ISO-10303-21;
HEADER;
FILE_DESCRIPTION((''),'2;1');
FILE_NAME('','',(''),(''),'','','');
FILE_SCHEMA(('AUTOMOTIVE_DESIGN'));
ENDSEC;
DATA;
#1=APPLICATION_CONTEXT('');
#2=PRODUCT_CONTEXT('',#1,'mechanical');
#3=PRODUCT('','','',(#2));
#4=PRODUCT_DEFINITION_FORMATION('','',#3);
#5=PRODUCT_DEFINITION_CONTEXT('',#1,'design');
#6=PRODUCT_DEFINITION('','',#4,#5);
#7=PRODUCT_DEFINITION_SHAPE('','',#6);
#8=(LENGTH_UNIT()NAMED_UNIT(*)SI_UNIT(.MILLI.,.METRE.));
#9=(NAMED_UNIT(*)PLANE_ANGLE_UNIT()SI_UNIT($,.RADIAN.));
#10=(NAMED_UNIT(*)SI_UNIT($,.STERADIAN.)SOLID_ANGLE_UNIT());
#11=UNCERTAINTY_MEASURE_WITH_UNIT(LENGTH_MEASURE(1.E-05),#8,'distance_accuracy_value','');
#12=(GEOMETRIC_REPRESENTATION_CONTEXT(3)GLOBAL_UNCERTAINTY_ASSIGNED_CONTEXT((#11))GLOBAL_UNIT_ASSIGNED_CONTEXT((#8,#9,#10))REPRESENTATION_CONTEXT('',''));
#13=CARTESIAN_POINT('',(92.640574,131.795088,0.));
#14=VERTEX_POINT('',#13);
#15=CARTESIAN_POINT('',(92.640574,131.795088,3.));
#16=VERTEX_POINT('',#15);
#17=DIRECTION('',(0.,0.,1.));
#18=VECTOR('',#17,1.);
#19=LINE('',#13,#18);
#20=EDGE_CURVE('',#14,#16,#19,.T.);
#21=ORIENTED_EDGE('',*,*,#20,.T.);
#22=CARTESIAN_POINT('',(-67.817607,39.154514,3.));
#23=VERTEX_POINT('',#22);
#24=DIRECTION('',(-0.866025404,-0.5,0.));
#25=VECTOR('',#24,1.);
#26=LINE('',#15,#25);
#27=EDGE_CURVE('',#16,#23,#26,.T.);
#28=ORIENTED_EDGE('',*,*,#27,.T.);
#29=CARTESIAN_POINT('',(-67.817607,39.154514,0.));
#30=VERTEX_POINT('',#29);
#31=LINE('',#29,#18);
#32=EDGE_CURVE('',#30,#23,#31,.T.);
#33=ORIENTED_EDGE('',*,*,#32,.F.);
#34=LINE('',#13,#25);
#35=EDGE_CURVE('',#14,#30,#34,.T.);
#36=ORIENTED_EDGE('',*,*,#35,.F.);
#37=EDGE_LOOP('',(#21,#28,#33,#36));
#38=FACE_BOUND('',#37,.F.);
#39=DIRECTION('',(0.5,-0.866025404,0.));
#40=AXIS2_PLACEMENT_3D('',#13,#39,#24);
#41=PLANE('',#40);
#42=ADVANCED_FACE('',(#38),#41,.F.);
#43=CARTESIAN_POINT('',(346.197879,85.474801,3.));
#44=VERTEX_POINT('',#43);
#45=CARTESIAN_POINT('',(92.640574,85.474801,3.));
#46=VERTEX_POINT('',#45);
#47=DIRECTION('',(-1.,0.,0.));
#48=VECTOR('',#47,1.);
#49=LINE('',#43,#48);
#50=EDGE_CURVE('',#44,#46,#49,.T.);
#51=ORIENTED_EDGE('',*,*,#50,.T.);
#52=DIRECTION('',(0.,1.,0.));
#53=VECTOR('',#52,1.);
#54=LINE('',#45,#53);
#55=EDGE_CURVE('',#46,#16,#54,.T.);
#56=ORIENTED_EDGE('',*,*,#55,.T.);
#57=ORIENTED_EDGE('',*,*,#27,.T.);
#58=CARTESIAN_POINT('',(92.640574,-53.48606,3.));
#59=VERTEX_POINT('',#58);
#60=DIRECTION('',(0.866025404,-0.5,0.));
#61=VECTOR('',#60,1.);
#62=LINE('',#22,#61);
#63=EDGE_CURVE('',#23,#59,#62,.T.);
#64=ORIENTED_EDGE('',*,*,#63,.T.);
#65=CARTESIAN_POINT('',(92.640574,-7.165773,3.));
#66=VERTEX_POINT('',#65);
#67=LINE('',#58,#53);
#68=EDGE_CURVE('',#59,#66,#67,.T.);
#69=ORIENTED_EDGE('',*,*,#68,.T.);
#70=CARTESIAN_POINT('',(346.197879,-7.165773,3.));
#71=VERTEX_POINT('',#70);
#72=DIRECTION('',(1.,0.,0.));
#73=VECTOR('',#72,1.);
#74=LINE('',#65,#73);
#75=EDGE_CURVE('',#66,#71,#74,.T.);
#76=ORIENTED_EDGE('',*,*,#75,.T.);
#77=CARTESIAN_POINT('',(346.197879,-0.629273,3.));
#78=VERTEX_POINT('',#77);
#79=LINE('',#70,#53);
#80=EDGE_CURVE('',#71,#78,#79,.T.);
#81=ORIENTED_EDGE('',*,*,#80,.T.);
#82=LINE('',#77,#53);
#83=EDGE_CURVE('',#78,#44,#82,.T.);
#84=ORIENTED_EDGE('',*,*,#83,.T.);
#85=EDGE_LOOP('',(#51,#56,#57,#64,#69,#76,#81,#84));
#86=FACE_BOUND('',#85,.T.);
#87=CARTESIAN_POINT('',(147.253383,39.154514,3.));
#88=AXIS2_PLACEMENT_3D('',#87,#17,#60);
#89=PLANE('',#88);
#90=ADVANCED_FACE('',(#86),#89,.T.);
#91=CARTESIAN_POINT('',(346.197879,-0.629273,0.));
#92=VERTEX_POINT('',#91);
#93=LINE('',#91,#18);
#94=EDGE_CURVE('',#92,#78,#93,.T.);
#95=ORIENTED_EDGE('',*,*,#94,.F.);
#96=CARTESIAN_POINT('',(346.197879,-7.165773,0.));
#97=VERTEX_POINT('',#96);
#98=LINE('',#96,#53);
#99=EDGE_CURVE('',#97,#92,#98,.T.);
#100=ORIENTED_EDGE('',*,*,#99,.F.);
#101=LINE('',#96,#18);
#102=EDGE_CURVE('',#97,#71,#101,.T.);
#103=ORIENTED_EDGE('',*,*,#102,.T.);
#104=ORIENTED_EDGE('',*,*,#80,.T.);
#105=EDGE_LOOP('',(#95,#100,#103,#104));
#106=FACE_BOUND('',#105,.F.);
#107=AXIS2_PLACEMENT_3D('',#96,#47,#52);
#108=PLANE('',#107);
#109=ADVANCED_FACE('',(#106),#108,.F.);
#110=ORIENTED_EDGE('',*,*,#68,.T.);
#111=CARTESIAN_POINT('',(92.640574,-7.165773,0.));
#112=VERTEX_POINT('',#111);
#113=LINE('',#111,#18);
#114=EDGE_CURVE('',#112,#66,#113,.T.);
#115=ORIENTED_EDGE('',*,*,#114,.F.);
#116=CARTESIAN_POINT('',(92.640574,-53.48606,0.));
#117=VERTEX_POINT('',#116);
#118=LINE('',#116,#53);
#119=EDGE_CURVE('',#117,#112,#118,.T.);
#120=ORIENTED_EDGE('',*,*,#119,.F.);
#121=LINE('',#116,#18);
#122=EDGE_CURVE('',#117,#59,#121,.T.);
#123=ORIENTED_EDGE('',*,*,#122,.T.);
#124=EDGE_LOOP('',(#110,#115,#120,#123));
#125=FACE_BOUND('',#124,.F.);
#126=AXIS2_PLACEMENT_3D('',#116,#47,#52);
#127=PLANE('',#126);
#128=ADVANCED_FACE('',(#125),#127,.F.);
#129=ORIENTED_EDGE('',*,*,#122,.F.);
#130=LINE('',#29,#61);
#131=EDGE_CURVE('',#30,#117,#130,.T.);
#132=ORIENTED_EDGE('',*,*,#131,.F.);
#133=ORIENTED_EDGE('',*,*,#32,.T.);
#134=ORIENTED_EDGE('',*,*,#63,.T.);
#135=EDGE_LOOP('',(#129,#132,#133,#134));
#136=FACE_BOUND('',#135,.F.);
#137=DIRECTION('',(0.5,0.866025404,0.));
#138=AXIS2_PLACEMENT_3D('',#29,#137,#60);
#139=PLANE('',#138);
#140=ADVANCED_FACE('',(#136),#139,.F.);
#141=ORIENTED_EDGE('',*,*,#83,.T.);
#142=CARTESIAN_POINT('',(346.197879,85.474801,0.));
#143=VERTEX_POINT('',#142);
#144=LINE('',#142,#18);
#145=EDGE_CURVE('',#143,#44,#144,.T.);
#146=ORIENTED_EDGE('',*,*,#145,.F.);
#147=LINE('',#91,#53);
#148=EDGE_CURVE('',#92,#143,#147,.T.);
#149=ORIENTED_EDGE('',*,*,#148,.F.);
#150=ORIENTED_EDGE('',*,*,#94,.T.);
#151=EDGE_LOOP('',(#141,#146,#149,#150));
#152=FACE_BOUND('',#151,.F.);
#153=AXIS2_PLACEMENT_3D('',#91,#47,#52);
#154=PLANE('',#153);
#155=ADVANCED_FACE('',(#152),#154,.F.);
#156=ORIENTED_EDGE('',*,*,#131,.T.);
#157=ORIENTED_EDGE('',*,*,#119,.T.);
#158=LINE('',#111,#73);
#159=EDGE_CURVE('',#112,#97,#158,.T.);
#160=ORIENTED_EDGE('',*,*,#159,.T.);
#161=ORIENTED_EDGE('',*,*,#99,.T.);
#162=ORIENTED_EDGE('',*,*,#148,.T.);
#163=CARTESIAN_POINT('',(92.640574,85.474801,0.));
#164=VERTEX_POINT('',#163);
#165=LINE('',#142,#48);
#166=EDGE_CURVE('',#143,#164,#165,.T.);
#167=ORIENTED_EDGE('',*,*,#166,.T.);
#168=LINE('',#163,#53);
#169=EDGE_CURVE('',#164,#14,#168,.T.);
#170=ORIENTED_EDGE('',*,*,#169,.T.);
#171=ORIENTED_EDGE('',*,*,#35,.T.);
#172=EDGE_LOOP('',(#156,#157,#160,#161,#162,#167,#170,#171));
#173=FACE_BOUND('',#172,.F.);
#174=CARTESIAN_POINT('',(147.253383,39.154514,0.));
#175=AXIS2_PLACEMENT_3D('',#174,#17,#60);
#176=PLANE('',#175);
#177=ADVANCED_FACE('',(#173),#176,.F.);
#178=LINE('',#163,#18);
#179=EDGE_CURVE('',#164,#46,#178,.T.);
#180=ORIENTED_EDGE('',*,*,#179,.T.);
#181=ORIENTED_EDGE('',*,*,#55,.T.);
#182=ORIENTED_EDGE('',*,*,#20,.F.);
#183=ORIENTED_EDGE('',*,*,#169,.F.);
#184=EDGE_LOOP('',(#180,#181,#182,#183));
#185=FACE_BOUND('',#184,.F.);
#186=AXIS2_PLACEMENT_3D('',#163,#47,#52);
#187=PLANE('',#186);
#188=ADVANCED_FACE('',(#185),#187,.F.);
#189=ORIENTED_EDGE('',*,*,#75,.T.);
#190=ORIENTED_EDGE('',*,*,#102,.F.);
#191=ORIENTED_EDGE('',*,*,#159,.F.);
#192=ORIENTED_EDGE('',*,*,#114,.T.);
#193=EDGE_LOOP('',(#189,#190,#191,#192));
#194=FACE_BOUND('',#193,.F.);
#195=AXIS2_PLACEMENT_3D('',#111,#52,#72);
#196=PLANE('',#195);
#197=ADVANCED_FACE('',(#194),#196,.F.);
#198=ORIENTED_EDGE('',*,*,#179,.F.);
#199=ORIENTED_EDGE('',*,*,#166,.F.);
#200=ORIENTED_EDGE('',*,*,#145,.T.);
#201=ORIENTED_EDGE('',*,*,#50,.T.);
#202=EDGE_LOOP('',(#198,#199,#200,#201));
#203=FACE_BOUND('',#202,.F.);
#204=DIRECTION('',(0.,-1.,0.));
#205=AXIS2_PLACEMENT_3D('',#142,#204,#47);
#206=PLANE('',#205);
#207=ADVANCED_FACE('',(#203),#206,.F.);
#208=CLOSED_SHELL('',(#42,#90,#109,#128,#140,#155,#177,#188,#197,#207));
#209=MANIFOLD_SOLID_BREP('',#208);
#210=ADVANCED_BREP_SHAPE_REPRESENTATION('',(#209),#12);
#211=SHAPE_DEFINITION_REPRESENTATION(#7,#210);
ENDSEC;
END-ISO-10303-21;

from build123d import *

# Parameters (mm, degrees)
F1_DEPTH = 3
F2_ANGLE = 30


with BuildPart() as f1:
    # F0 (on Top) → F1 (new body)
    with BuildSketch(Plane.XY):
        Polygon((-92.6405740249, -53.4860603511), (92.6405740249, -53.4860603511), (69.4804305186, -13.3715150878), (173.2050807569, 46.5139396489), (289.0674983355, 113.4071376268), (285.7992481602, 119.0679129823), (242.747211323, 193.6362281535), (126.8847937445, 126.7430301756), (23.1601435062, 66.8575754389), (0, 106.9721207023), align=None)
    extrude(amount=F1_DEPTH)


with BuildPart() as f1_1:
    # F2: moved
    add(f1.part.rotate(Axis((92.6405740249, -53.4860603511, 1.5), (0, 0, -1)), F2_ANGLE))


solid = f1_1.part
